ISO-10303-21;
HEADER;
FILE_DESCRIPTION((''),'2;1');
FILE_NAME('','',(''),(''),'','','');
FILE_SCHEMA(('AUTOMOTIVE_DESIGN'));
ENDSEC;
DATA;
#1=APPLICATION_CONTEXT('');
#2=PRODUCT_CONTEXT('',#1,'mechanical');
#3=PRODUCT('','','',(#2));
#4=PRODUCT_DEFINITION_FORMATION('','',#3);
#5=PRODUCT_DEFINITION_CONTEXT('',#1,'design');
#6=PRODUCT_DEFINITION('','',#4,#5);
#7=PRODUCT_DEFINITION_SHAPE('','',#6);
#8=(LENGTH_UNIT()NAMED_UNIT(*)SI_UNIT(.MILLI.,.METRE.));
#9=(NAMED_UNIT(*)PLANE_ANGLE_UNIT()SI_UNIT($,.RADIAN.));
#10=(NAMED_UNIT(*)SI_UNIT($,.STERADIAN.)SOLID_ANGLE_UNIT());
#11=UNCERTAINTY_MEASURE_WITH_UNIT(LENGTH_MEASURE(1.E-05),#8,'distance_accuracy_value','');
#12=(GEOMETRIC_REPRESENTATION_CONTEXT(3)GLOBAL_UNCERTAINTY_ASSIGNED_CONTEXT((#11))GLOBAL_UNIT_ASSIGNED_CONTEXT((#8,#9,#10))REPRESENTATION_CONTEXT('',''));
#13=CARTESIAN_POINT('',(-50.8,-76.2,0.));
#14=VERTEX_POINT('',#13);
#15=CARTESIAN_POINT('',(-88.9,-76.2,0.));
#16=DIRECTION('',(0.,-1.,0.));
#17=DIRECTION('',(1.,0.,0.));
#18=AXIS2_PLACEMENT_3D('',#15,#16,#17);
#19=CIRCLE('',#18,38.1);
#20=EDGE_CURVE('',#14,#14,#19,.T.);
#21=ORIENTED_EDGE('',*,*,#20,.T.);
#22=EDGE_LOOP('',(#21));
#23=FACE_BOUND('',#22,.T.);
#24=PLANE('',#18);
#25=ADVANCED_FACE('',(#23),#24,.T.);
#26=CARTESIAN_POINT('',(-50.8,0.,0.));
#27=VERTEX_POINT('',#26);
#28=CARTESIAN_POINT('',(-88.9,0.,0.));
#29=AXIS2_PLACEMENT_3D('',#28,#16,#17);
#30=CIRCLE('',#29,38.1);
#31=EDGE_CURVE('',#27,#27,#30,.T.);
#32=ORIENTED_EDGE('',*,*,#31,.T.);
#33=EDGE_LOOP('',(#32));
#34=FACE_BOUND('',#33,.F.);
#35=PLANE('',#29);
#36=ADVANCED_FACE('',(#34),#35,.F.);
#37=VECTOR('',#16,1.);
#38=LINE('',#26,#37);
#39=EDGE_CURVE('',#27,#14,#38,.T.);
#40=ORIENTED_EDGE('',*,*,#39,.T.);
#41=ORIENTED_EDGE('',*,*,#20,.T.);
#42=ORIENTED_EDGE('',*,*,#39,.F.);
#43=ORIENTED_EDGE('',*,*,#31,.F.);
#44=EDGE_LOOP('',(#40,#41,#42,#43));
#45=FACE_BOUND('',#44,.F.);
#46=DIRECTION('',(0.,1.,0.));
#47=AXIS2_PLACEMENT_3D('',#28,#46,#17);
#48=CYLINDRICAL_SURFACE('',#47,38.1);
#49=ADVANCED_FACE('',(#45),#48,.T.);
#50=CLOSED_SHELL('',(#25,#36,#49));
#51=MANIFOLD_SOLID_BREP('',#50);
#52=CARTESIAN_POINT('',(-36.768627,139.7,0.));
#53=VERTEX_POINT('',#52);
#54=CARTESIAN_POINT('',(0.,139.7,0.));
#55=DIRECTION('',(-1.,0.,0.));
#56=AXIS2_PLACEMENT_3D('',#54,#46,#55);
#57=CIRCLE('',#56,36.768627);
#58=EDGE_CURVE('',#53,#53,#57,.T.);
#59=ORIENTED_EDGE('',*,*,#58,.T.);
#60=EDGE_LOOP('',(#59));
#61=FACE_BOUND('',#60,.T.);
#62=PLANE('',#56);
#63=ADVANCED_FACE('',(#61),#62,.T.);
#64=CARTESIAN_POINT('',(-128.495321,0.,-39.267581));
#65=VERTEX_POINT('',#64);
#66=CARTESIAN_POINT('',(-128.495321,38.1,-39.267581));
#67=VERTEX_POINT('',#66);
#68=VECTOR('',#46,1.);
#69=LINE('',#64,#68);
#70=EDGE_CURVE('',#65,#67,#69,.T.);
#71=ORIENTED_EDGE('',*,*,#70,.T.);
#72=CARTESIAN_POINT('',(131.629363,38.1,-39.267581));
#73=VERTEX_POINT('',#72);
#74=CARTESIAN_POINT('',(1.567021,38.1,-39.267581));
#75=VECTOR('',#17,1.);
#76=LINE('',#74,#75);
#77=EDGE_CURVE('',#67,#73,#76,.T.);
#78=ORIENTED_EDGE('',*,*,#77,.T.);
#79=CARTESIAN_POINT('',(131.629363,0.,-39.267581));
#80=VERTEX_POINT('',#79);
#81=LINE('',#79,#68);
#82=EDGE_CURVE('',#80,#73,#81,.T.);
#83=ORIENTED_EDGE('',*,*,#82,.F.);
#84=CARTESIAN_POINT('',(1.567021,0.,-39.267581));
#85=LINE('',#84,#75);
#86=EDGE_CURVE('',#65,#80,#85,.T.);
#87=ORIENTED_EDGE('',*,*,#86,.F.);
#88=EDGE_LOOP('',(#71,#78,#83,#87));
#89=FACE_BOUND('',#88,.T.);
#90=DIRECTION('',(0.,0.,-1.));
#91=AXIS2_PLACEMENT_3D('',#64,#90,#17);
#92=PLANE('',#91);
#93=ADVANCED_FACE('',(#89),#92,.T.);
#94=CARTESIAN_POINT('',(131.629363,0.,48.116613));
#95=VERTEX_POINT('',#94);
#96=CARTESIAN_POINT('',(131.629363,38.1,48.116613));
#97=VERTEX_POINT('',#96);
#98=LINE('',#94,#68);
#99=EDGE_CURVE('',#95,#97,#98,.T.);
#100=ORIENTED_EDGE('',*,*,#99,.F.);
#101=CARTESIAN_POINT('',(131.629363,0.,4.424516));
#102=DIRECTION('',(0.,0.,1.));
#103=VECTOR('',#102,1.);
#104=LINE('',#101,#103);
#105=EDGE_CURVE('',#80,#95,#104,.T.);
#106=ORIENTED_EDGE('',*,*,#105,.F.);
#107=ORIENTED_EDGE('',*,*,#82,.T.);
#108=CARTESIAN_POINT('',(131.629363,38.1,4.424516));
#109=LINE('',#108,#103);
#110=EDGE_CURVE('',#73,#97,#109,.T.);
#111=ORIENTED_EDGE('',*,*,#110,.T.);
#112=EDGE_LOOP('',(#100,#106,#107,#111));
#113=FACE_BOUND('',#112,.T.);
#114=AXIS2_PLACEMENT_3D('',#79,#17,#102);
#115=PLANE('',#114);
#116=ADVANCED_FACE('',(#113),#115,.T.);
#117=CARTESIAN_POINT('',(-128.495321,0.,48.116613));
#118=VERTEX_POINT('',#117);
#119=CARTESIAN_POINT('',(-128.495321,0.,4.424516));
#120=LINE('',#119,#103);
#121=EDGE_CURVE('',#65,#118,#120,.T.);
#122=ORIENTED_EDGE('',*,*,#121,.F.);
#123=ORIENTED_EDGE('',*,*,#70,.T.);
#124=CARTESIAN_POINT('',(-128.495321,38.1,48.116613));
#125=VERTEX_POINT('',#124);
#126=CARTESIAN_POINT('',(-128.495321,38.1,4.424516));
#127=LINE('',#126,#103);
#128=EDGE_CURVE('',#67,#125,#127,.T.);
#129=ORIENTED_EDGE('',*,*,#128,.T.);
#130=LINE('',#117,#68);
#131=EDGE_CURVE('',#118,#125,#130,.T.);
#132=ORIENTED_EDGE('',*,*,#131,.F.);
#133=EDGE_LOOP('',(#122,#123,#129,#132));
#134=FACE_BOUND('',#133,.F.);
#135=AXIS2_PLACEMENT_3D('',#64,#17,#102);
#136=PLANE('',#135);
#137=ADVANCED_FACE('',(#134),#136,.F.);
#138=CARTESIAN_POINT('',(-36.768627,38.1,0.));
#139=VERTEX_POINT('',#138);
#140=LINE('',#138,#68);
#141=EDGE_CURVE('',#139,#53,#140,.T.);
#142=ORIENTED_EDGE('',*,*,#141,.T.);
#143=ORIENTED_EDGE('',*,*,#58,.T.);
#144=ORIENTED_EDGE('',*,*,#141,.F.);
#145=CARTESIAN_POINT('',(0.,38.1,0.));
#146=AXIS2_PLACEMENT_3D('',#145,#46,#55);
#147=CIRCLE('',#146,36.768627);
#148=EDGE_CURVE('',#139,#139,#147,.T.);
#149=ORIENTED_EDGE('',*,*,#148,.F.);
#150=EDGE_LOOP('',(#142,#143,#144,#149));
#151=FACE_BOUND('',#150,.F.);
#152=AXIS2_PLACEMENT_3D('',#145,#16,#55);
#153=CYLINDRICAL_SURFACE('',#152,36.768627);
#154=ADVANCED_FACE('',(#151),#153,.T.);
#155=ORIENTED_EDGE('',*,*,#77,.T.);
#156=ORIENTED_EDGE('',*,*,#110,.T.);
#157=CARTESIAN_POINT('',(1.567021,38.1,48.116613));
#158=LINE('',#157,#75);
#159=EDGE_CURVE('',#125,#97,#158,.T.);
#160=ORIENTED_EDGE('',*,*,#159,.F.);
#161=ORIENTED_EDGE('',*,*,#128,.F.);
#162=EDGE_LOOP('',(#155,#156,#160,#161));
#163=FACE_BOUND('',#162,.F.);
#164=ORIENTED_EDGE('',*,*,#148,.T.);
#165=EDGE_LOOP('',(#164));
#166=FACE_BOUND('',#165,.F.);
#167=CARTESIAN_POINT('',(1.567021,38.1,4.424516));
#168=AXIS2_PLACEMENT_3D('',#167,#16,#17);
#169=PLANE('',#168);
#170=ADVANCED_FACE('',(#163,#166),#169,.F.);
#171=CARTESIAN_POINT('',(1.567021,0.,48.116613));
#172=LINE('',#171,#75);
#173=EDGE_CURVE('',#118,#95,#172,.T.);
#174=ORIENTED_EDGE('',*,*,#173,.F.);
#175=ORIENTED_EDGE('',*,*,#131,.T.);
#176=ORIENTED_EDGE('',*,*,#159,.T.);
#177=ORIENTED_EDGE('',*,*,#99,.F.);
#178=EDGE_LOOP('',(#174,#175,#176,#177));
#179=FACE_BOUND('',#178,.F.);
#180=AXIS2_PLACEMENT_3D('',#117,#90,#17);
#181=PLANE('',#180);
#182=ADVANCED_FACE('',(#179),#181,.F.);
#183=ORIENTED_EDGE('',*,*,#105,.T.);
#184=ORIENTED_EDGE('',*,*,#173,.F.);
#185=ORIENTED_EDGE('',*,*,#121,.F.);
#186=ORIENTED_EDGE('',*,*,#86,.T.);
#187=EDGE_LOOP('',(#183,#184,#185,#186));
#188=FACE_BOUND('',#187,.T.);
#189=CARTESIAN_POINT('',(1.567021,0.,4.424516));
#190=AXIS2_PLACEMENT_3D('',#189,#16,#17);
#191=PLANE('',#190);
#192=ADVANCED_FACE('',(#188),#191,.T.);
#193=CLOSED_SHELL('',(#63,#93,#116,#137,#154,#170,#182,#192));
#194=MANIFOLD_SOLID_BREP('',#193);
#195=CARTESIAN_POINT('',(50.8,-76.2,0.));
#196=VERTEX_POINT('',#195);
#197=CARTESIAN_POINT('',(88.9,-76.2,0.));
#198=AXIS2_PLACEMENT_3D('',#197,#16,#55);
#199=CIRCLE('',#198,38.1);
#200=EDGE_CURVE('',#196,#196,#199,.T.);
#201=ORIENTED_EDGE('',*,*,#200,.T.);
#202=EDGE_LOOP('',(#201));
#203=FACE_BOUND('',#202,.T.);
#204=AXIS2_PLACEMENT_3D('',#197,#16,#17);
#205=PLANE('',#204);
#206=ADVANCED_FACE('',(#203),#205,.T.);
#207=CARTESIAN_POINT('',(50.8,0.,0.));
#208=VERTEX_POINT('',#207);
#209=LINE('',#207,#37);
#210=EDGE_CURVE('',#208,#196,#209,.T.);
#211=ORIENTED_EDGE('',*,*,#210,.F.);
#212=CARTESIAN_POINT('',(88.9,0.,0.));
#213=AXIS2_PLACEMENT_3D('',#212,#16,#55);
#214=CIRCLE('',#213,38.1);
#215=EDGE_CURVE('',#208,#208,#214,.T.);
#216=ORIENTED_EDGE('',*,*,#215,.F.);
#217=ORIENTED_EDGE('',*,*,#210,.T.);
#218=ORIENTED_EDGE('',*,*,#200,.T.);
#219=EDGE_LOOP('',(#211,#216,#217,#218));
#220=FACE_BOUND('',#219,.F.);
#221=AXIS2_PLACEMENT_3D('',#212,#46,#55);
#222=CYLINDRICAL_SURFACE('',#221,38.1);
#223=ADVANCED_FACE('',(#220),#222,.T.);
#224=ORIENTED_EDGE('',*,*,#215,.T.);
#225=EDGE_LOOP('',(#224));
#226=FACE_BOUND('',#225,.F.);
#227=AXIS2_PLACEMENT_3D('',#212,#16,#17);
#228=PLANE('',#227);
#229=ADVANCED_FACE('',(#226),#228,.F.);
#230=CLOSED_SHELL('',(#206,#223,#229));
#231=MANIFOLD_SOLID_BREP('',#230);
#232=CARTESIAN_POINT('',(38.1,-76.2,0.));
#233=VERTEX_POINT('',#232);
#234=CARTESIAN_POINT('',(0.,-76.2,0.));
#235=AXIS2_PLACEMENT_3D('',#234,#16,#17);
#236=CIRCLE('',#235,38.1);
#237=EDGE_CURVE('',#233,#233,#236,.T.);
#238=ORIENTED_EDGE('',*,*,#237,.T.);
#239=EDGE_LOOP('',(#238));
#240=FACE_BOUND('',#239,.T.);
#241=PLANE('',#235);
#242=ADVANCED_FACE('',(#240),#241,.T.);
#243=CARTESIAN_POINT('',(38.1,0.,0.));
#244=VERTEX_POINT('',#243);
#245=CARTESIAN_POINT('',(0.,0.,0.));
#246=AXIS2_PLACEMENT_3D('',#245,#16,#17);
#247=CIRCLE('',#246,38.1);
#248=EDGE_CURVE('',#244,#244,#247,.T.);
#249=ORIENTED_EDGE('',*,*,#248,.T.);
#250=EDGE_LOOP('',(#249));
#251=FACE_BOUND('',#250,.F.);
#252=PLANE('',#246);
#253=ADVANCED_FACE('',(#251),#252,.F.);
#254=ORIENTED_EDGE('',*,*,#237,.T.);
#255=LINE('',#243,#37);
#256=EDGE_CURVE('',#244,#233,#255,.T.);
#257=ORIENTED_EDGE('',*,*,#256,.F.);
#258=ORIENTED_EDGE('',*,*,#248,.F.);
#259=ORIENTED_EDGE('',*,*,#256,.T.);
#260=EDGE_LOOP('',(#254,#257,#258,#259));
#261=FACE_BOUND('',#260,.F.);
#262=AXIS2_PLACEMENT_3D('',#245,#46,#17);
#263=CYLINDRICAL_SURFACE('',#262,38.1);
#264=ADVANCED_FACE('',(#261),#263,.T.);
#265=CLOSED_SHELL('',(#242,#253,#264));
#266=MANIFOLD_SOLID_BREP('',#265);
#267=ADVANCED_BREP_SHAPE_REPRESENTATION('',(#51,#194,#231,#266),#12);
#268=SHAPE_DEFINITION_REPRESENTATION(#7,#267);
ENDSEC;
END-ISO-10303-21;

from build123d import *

# Parameters (mm, degrees)
F0_R     = 38.1
F1_DEPTH = 76.2
F2_W     = 260.124684
F2_H     = 87.384194
F3_DEPTH = 38.1
F4_R     = 36.768627
F5_DEPTH = 101.6


with BuildPart() as f1:
    # F0 (on Front) → F1 (new body)
    with BuildSketch(Plane.XZ):
        with BuildLine():
            ThreePointArc((-38.1, 0), (0, -38.1), (38.1, 0))
            ThreePointArc((38.1, 0), (0, 38.1), (-38.1, 0))
        make_face()
        with Locations((-88.9, 0)):
            Circle(F0_R)
        with BuildLine():
            ThreePointArc((127, 0), (88.9, 38.1), (50.8, 0))
            ThreePointArc((50.8, 0), (88.9, -38.1), (127, 0))
        make_face()
    extrude(amount=F1_DEPTH)


with BuildPart() as f3:
    # F2 (on Front) → F3 (new body)
    with BuildSketch(Plane.XZ):
        with Locations((1.567021, 4.424516)):
            Rectangle(F2_W, F2_H)
    extrude(amount=-F3_DEPTH)

    # F4 (on face) → F5 (join)
    with BuildSketch(Plane(origin=(0, 38.1, 0), x_dir=(-1, 0, 0), z_dir=(0, 1, 0))):
        Circle(F4_R)
    extrude(amount=F5_DEPTH)


solid = Compound([f1.part, f3.part])
